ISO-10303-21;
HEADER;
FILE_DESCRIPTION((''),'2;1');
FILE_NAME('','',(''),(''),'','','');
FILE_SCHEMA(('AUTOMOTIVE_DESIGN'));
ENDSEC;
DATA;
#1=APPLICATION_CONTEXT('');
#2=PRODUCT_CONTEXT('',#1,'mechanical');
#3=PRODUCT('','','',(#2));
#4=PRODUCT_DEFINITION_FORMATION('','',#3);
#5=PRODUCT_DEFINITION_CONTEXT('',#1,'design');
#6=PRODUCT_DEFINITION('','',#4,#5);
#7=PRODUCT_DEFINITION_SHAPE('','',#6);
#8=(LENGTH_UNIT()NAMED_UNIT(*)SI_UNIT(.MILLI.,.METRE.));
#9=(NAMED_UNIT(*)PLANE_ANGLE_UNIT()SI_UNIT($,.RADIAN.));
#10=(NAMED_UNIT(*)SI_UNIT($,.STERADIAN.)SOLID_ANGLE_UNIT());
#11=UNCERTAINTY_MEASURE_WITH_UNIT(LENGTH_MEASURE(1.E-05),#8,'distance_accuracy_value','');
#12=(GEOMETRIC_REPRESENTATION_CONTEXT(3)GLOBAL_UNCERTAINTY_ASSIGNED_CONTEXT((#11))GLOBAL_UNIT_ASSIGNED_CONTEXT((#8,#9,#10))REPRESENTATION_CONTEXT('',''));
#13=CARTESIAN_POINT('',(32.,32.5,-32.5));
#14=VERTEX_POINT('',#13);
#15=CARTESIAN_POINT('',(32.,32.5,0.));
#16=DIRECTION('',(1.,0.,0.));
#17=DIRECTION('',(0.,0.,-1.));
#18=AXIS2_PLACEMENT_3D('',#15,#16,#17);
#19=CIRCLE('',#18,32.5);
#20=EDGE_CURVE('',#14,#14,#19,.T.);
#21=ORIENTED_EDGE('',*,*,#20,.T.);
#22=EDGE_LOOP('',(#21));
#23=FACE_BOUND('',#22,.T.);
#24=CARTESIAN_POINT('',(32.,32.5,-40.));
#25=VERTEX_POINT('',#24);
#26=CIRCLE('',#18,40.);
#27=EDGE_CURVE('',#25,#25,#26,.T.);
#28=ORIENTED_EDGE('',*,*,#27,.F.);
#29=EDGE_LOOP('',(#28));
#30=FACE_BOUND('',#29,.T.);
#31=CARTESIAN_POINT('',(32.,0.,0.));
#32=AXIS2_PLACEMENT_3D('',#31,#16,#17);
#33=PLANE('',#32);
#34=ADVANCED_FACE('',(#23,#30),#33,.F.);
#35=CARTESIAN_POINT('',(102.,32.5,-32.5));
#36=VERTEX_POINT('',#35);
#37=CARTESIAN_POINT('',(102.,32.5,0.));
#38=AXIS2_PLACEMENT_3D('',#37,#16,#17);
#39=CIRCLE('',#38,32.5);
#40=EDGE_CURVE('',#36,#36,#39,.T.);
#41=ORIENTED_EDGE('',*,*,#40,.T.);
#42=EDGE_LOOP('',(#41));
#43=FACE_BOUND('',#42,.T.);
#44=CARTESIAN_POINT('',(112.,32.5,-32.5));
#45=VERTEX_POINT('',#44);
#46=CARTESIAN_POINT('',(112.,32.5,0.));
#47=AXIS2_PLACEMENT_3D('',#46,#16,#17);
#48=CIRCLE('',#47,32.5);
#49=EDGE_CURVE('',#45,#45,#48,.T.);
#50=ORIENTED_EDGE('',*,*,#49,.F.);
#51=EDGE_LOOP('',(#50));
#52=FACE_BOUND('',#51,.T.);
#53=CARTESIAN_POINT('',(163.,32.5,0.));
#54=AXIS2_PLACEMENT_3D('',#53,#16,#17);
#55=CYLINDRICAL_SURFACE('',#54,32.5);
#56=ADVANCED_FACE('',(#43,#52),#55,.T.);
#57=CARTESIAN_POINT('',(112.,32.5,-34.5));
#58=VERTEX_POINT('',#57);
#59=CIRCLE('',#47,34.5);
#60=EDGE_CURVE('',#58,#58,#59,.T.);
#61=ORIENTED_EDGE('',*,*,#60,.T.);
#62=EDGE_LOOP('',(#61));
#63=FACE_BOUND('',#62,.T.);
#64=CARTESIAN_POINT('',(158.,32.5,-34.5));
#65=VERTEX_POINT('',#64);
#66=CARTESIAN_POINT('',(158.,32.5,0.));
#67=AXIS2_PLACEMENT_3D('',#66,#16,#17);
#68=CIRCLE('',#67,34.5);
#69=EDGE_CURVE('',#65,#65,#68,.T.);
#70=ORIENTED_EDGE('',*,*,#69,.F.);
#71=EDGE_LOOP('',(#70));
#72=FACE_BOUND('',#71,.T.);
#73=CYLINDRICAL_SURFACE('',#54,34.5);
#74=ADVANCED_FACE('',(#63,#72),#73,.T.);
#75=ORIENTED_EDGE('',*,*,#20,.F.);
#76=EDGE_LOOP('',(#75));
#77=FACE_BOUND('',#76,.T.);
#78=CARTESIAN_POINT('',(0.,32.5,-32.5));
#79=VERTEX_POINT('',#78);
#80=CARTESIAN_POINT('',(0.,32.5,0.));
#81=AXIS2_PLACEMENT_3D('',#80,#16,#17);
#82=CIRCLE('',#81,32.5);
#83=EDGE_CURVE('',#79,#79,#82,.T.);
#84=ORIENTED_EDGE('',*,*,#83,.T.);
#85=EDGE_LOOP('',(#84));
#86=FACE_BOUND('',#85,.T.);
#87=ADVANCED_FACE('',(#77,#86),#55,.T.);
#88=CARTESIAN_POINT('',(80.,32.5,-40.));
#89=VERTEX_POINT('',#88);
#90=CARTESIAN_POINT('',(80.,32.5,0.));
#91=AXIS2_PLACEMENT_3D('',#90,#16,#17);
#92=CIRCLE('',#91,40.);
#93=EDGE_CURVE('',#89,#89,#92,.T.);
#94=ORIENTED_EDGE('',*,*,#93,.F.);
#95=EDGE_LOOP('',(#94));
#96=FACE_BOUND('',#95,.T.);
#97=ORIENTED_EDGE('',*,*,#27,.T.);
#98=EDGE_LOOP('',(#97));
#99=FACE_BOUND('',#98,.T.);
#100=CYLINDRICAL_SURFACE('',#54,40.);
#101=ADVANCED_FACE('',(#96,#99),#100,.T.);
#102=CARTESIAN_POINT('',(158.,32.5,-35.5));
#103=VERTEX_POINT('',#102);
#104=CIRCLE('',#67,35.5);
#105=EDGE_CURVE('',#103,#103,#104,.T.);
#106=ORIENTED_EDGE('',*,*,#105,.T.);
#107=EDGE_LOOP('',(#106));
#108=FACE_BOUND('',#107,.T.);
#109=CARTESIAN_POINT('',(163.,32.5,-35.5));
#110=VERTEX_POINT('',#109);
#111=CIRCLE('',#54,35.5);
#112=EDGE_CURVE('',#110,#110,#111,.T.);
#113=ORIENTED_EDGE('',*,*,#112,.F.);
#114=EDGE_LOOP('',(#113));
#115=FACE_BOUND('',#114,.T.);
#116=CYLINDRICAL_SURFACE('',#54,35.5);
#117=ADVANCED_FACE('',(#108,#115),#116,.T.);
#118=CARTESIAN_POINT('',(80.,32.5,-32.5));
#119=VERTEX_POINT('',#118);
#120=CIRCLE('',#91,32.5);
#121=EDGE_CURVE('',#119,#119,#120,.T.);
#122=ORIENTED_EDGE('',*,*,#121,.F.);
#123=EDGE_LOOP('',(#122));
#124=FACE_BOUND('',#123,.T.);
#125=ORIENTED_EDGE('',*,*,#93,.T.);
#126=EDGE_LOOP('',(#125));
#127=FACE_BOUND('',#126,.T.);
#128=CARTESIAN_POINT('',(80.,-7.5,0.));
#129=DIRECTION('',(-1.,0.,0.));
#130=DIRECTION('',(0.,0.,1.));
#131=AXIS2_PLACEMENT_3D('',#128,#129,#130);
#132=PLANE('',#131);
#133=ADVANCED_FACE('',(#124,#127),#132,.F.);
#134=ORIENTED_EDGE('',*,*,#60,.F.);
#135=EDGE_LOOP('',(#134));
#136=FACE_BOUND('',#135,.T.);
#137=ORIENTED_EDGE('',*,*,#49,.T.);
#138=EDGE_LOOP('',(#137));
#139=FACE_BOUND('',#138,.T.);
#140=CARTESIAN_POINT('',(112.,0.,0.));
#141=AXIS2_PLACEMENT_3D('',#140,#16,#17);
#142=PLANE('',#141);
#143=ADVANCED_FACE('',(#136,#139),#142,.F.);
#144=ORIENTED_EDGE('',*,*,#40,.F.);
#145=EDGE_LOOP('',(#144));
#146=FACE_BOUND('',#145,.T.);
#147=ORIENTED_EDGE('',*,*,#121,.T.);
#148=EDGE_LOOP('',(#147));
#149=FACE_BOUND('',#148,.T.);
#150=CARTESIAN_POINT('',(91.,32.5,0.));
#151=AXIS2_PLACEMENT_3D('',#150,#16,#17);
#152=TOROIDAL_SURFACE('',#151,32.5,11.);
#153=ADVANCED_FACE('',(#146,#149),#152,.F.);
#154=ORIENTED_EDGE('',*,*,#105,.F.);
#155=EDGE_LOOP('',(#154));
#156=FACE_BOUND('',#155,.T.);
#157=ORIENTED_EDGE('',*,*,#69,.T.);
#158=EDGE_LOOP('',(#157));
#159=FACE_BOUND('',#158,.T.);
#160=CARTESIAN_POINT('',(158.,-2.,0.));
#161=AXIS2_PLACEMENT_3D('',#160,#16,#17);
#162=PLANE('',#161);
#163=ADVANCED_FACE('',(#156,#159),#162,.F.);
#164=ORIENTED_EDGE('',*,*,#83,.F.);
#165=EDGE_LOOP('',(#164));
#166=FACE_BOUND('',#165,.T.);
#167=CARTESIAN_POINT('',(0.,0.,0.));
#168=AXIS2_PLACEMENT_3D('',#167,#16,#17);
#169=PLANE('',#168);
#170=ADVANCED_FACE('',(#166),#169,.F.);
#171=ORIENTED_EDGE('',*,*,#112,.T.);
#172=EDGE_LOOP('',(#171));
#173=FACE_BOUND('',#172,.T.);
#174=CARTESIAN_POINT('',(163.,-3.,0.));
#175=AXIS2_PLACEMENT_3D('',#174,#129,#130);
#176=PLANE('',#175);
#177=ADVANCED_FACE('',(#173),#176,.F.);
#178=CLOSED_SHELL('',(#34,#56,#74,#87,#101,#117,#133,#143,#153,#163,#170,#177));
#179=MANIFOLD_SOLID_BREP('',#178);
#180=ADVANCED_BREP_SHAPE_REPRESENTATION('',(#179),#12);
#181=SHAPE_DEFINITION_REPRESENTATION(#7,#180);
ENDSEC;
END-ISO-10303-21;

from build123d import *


with BuildPart() as part:
    # Sketch1 → Revolve1 (revolve)
    with BuildSketch(Plane.XY, mode=Mode.PRIVATE) as revolve1_sk:
        with BuildLine():
            Line((0, 0), (32, 0))
            Line((32, 0), (32, -7.5))
            Line((32, -7.5), (80, -7.5))
            Line((80, -7.5), (80, 0))
            ThreePointArc((80, 0), (91, 11), (102, 0))
            Line((102, 0), (112, 0))
            Line((112, 0), (112, -2))
            Line((112, -2), (158, -2))
            Line((158, -2), (158, -3))
            Line((158, -3), (163, -3))
            Line((163, -3), (163, 32.5))
            Line((163, 32.5), (0, 32.5))
            Line((0, 32.5), (0, 0))
        make_face()
    revolve(revolve1_sk.sketch.rotate(Axis((163, 32.5, 0), (-1, 0, 0)), 270), axis=Axis((163, 32.5, 0), (-1, 0, 0)))


solid = part.part
